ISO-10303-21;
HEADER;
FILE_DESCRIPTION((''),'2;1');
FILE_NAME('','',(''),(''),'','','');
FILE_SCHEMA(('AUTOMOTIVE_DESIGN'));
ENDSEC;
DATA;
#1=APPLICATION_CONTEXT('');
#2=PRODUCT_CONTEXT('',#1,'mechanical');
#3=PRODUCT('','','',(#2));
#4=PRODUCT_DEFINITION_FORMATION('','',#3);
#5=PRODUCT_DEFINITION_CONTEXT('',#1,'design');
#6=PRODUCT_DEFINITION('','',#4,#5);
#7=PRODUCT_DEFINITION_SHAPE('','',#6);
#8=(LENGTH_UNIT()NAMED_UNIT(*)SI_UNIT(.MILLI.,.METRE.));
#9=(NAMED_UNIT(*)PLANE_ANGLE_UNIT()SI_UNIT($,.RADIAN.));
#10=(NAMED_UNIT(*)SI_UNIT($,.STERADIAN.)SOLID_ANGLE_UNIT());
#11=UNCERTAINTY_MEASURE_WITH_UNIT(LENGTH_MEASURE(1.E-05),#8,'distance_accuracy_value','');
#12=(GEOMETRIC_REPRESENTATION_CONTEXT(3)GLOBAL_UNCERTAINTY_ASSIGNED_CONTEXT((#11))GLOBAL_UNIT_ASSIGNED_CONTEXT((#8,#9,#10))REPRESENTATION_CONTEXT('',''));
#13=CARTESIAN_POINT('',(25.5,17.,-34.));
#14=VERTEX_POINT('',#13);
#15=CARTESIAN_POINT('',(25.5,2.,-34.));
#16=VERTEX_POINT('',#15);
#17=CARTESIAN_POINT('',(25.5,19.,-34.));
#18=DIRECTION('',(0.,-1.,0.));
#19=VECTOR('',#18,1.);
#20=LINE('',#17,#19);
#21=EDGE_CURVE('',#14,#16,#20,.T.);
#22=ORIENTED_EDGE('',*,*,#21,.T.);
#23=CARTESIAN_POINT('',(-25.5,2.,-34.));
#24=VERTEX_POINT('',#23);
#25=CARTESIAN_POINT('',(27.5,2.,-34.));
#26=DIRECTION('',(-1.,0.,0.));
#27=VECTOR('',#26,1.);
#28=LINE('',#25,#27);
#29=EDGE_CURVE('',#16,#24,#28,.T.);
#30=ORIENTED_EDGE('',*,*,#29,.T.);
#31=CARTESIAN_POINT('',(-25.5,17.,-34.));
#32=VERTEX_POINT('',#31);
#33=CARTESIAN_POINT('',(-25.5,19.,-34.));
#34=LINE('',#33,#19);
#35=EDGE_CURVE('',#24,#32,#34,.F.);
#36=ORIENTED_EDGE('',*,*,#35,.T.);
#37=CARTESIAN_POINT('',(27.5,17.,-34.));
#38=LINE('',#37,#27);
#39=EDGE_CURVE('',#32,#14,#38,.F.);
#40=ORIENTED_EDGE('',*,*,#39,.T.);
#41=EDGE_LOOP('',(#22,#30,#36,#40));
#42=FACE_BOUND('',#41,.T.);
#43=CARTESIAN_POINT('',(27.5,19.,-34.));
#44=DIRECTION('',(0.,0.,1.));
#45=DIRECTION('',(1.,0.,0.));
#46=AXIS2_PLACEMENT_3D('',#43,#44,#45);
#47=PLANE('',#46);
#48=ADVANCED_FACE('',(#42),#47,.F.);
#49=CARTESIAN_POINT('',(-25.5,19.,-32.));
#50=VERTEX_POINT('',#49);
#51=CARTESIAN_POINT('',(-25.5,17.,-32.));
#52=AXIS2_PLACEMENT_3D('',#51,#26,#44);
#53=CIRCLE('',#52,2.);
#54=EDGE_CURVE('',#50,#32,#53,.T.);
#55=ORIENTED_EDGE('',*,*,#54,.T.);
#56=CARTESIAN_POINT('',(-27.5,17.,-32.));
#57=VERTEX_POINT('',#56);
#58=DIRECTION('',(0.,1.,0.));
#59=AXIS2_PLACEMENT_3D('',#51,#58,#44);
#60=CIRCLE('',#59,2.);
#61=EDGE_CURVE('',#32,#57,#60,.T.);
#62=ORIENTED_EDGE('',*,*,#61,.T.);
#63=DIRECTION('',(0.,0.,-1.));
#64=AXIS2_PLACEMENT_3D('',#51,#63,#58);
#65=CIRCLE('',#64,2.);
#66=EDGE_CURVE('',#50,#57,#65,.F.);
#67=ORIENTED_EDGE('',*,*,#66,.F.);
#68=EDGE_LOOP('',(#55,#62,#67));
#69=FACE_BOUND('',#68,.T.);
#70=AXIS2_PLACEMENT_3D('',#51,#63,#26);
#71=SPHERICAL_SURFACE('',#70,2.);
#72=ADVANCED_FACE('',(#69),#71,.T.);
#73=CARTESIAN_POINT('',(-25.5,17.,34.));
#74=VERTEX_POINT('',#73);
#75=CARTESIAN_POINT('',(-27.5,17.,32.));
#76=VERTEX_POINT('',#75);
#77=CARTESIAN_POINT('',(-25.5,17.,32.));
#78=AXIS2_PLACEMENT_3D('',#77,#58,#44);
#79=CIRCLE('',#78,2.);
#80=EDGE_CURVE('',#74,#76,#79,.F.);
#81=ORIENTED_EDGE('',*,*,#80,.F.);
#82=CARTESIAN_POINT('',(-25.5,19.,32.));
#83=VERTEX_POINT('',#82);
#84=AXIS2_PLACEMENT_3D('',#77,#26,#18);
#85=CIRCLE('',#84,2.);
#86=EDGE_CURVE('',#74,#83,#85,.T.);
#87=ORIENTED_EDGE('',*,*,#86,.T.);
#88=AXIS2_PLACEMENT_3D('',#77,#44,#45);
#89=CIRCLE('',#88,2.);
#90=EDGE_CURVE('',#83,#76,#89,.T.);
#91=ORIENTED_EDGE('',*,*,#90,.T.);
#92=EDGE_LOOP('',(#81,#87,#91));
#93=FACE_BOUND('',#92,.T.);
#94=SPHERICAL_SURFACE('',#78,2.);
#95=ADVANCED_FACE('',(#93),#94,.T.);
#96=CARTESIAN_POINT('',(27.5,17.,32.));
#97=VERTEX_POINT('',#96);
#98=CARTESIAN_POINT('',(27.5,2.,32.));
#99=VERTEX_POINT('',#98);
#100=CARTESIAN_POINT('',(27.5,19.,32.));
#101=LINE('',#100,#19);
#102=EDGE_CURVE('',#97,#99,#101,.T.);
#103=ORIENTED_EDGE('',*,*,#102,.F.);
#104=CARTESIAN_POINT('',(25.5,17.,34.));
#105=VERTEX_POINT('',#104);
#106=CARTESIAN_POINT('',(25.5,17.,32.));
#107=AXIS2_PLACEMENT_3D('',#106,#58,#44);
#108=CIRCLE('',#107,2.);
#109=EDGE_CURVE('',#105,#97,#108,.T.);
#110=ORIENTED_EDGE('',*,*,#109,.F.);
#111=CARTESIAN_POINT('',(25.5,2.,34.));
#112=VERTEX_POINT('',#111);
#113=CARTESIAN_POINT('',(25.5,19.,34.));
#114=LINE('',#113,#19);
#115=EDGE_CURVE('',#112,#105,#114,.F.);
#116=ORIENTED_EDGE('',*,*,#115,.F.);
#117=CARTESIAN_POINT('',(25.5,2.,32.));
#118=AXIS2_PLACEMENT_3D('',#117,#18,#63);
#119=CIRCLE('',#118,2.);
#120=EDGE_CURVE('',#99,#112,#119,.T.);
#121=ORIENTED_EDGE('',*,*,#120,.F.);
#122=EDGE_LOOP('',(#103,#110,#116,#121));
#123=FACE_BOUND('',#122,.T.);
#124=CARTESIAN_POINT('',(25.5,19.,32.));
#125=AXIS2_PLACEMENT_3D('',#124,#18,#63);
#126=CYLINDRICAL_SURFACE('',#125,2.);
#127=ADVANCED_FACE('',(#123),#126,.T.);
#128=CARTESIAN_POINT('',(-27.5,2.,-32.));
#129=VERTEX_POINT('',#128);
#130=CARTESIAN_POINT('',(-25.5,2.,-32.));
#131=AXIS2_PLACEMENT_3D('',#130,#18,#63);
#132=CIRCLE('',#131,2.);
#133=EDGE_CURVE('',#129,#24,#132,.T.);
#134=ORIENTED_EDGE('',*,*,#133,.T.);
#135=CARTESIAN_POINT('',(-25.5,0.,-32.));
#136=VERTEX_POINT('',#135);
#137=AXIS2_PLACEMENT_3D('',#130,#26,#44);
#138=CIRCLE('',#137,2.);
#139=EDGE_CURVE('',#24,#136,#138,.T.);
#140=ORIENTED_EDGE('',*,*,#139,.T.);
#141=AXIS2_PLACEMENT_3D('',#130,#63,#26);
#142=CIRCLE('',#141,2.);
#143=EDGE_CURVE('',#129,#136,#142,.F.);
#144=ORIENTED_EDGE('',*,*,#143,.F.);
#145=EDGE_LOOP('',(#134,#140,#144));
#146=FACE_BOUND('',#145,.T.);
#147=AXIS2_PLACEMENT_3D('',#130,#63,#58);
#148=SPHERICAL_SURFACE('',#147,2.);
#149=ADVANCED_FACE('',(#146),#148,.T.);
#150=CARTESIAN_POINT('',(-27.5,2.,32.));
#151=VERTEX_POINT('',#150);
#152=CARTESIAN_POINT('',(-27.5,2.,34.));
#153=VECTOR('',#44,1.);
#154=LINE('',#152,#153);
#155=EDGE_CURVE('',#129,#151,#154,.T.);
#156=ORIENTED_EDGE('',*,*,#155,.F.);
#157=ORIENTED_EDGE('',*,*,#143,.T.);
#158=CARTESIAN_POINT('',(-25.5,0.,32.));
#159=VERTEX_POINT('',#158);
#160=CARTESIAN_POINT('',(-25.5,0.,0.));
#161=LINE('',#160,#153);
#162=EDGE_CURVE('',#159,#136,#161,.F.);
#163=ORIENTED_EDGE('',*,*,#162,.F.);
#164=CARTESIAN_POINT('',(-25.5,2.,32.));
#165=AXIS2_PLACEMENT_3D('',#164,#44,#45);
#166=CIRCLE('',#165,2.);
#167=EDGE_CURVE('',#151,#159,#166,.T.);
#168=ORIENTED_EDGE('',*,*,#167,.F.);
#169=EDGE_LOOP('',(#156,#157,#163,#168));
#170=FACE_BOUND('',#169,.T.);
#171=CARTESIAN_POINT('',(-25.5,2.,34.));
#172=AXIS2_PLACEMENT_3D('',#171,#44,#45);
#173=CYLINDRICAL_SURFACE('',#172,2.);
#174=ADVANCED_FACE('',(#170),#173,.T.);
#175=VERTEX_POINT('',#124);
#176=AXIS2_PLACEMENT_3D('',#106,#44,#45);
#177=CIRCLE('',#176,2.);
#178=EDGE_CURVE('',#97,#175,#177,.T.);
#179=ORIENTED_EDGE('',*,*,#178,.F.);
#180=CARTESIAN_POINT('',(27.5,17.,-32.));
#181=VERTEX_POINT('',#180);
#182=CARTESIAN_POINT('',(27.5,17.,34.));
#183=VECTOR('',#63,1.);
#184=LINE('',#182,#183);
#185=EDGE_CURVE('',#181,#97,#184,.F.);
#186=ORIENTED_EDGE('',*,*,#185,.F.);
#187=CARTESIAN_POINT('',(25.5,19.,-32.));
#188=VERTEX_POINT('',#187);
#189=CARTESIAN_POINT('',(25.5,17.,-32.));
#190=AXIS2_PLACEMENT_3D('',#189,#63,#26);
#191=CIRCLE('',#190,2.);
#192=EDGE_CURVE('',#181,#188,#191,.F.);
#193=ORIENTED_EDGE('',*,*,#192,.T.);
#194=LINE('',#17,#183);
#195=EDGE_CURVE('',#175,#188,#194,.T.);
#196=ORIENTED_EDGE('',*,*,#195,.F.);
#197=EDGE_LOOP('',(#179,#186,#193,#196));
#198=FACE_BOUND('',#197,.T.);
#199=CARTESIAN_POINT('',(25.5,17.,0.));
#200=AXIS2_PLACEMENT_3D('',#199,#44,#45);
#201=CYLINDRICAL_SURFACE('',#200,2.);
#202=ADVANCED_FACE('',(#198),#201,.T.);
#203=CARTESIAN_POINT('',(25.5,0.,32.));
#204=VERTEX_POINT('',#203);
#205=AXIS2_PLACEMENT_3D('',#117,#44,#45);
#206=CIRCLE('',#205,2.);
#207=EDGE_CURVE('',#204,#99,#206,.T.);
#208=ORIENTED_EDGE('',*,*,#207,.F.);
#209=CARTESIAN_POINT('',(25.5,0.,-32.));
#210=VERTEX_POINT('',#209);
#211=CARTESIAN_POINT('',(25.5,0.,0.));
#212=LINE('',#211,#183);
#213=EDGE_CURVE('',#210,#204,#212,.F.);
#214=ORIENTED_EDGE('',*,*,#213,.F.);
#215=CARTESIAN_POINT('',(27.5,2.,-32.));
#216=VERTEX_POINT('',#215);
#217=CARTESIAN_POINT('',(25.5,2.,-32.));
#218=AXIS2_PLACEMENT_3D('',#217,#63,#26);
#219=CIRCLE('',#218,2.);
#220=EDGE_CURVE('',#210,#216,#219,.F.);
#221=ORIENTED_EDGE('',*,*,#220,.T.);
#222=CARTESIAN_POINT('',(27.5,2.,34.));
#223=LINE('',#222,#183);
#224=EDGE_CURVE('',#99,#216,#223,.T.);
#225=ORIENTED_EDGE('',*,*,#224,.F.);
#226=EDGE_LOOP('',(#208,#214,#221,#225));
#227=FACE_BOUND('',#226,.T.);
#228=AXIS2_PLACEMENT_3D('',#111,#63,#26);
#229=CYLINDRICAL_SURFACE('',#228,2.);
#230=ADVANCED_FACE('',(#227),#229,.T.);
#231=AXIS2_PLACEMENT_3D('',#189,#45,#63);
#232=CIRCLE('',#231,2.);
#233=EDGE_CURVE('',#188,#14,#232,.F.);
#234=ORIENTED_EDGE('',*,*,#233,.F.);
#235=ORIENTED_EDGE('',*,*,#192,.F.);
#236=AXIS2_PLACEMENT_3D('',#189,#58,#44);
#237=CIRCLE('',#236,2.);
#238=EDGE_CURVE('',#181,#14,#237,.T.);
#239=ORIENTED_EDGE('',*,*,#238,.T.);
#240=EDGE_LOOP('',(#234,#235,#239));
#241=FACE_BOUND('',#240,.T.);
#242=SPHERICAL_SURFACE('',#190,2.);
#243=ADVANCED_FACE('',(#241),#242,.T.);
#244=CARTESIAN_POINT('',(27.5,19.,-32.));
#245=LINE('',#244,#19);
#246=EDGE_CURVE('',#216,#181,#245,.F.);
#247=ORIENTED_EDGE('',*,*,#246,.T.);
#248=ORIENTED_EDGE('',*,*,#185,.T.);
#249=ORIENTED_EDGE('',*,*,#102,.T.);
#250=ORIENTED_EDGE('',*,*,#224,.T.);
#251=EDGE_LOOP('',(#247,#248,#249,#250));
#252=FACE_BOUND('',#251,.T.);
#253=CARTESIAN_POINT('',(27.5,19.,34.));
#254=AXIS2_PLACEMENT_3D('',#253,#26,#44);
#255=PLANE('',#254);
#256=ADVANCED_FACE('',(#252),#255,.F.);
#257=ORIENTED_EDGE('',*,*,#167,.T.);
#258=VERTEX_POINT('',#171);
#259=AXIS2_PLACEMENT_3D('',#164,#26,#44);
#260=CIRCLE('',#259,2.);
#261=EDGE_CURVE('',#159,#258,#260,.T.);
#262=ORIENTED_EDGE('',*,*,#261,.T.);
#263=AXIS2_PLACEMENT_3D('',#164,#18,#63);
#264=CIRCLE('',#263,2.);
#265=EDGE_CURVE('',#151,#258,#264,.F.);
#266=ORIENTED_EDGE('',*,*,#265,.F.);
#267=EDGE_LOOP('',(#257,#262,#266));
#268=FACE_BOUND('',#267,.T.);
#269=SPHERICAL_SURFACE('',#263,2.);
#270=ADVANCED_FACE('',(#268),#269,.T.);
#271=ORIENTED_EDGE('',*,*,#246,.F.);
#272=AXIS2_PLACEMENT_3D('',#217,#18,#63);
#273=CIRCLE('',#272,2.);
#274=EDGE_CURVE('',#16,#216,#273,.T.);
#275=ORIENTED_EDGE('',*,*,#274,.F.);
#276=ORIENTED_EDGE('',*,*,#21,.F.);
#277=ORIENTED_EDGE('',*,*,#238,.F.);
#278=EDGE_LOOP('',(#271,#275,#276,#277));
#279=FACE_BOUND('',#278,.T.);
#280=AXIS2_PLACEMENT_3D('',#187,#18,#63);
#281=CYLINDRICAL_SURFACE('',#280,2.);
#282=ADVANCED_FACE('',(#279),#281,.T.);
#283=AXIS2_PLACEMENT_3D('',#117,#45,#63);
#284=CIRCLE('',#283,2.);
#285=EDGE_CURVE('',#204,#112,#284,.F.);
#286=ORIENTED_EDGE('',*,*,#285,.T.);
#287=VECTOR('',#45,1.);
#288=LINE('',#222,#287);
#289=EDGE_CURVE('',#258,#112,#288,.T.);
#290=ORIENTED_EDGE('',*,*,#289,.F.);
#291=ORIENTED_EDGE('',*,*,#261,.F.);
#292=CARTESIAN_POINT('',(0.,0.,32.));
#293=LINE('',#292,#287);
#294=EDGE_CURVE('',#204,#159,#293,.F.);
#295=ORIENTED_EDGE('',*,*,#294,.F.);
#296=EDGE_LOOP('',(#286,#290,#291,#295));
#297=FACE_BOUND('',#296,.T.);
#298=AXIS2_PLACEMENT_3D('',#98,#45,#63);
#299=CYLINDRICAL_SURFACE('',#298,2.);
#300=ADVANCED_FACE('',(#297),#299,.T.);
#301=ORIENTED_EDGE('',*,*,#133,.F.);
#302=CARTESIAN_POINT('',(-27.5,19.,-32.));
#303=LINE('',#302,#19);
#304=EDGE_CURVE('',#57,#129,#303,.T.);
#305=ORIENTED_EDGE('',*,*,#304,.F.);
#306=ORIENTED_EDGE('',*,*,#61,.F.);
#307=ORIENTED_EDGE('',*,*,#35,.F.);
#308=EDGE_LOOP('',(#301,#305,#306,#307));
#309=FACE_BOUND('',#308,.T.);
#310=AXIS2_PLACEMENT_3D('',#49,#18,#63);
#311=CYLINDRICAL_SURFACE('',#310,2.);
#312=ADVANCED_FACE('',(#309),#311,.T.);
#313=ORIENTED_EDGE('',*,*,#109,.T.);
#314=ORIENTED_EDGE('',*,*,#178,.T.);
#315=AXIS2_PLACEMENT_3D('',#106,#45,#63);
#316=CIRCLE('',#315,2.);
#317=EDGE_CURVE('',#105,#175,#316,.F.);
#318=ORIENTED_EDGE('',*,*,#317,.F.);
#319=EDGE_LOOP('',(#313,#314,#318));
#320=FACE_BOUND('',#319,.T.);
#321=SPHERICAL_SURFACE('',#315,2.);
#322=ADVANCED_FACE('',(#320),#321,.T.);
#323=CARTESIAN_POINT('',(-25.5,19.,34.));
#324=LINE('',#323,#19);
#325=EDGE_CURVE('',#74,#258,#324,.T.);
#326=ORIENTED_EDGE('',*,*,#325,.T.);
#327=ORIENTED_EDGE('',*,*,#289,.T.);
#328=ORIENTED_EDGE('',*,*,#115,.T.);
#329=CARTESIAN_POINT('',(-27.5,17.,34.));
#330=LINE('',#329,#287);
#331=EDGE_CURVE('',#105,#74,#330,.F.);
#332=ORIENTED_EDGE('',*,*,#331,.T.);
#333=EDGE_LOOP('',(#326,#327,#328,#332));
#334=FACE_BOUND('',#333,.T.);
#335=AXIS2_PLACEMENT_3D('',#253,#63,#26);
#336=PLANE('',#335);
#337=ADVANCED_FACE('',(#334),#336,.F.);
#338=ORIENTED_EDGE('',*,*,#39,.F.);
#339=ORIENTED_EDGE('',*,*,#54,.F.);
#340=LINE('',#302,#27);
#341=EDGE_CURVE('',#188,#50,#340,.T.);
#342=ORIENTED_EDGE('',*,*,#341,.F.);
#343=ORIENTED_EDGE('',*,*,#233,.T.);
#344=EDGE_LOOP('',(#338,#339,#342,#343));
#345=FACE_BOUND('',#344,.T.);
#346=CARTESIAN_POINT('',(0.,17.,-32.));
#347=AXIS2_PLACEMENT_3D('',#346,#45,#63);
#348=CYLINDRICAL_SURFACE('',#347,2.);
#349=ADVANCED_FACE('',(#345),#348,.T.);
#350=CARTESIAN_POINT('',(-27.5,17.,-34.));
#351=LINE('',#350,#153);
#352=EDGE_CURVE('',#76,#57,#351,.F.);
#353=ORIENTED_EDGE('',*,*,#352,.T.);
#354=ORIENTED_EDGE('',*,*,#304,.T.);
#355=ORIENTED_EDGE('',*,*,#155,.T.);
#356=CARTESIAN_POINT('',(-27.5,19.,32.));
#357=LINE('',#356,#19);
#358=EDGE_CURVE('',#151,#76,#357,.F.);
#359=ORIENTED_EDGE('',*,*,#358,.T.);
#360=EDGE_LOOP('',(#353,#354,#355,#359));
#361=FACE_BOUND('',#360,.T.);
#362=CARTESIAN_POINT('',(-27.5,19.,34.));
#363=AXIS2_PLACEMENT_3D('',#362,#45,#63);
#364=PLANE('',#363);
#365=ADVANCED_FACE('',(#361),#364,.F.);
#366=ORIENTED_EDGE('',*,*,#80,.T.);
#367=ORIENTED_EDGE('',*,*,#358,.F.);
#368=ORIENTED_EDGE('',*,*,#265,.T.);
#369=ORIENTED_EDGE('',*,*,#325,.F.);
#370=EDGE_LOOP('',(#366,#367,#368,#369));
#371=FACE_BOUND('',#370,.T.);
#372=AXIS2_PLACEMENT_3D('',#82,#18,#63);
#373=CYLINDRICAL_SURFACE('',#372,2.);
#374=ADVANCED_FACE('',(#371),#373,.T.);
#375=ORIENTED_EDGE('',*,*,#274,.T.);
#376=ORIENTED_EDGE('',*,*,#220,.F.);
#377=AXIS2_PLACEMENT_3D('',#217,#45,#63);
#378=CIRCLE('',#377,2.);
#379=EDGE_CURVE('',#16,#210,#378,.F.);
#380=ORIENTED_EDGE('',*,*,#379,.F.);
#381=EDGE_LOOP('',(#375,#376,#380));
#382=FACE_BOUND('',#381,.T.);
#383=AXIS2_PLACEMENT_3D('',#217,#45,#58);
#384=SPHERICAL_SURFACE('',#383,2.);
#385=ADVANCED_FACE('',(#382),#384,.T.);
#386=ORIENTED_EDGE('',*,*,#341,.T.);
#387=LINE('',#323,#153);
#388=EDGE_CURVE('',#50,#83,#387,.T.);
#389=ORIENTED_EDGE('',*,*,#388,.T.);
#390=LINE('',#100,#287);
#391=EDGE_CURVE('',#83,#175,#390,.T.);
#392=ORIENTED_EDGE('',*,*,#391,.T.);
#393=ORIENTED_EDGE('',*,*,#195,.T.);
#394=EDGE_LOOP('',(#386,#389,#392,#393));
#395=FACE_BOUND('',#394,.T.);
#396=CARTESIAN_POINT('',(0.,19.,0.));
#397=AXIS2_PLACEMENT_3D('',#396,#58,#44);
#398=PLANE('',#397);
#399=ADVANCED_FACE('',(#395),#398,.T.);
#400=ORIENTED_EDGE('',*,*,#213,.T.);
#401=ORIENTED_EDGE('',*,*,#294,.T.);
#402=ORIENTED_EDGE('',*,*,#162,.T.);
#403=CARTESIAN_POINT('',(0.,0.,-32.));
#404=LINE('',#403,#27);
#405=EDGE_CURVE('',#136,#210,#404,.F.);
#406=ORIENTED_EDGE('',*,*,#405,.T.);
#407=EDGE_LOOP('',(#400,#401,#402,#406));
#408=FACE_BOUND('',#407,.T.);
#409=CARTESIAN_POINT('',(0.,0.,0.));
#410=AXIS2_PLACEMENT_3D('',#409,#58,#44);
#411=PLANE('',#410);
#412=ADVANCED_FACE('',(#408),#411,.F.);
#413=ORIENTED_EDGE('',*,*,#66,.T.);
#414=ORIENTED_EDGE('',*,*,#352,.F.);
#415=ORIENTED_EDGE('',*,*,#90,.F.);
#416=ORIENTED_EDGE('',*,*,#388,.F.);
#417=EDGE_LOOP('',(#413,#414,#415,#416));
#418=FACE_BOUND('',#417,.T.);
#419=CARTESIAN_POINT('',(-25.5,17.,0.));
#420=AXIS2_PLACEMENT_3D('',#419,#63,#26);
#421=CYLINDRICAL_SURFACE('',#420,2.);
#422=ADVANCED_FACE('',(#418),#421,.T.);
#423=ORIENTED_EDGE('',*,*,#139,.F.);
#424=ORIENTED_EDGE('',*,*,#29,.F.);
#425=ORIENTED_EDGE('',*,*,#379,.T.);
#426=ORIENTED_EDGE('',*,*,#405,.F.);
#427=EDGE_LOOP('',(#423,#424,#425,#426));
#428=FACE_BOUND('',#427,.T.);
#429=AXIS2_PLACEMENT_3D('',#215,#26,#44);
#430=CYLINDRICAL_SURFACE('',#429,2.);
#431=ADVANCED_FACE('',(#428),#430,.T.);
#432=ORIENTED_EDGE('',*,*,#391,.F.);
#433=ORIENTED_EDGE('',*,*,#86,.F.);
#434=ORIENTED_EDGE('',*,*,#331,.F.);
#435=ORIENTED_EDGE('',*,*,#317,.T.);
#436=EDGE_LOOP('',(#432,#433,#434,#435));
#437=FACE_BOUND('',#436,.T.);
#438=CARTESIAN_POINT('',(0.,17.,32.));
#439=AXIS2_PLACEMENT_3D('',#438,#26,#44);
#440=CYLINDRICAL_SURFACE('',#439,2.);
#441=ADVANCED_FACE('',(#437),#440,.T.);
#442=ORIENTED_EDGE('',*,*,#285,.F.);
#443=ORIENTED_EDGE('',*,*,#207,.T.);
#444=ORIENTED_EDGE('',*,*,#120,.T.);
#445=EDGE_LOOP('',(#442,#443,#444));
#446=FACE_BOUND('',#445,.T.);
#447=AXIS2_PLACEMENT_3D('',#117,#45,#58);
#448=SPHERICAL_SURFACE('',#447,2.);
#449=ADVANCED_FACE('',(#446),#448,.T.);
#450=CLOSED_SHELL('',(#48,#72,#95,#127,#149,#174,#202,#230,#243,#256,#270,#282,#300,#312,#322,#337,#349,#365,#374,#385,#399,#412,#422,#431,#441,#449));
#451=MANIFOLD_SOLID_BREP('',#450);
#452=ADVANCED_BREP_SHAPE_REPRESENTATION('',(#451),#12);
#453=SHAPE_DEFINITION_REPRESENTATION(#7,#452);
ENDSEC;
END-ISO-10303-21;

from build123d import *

# Parameters (mm, degrees)
SKETCH_1_W      = 55
SKETCH_1_H      = 68
EXTRUDE_1_DEPTH = 19
FILLET_1_R      = 2


with BuildPart() as part:
    # 草图1 → 凸台-拉伸1 (new body)
    with BuildSketch(Plane(origin=(0, 0, 0), x_dir=(1, 0, 0), z_dir=(0, 1, 0))):
        Rectangle(SKETCH_1_W, SKETCH_1_H)
    extrude(amount=EXTRUDE_1_DEPTH)

    # 圆角1
    fillet_1_edges = [part.edges().sort_by_distance(p)[0] for p in [
        (27.5, 19, 0),
        (0, 19, -34),
        (-27.5, 19, 0),
        (0, 0, -34),
        (27.5, 0, 0),
        (0, 0, 34),
        (-27.5, 0, 0),
        (-27.5, 9.5, -34),
        (27.5, 9.5, -34),
        (27.5, 9.5, 34),
        (-27.5, 9.5, 34),
        (0, 19, 34),
    ]]
    fillet(fillet_1_edges, radius=FILLET_1_R)


solid = part.part
